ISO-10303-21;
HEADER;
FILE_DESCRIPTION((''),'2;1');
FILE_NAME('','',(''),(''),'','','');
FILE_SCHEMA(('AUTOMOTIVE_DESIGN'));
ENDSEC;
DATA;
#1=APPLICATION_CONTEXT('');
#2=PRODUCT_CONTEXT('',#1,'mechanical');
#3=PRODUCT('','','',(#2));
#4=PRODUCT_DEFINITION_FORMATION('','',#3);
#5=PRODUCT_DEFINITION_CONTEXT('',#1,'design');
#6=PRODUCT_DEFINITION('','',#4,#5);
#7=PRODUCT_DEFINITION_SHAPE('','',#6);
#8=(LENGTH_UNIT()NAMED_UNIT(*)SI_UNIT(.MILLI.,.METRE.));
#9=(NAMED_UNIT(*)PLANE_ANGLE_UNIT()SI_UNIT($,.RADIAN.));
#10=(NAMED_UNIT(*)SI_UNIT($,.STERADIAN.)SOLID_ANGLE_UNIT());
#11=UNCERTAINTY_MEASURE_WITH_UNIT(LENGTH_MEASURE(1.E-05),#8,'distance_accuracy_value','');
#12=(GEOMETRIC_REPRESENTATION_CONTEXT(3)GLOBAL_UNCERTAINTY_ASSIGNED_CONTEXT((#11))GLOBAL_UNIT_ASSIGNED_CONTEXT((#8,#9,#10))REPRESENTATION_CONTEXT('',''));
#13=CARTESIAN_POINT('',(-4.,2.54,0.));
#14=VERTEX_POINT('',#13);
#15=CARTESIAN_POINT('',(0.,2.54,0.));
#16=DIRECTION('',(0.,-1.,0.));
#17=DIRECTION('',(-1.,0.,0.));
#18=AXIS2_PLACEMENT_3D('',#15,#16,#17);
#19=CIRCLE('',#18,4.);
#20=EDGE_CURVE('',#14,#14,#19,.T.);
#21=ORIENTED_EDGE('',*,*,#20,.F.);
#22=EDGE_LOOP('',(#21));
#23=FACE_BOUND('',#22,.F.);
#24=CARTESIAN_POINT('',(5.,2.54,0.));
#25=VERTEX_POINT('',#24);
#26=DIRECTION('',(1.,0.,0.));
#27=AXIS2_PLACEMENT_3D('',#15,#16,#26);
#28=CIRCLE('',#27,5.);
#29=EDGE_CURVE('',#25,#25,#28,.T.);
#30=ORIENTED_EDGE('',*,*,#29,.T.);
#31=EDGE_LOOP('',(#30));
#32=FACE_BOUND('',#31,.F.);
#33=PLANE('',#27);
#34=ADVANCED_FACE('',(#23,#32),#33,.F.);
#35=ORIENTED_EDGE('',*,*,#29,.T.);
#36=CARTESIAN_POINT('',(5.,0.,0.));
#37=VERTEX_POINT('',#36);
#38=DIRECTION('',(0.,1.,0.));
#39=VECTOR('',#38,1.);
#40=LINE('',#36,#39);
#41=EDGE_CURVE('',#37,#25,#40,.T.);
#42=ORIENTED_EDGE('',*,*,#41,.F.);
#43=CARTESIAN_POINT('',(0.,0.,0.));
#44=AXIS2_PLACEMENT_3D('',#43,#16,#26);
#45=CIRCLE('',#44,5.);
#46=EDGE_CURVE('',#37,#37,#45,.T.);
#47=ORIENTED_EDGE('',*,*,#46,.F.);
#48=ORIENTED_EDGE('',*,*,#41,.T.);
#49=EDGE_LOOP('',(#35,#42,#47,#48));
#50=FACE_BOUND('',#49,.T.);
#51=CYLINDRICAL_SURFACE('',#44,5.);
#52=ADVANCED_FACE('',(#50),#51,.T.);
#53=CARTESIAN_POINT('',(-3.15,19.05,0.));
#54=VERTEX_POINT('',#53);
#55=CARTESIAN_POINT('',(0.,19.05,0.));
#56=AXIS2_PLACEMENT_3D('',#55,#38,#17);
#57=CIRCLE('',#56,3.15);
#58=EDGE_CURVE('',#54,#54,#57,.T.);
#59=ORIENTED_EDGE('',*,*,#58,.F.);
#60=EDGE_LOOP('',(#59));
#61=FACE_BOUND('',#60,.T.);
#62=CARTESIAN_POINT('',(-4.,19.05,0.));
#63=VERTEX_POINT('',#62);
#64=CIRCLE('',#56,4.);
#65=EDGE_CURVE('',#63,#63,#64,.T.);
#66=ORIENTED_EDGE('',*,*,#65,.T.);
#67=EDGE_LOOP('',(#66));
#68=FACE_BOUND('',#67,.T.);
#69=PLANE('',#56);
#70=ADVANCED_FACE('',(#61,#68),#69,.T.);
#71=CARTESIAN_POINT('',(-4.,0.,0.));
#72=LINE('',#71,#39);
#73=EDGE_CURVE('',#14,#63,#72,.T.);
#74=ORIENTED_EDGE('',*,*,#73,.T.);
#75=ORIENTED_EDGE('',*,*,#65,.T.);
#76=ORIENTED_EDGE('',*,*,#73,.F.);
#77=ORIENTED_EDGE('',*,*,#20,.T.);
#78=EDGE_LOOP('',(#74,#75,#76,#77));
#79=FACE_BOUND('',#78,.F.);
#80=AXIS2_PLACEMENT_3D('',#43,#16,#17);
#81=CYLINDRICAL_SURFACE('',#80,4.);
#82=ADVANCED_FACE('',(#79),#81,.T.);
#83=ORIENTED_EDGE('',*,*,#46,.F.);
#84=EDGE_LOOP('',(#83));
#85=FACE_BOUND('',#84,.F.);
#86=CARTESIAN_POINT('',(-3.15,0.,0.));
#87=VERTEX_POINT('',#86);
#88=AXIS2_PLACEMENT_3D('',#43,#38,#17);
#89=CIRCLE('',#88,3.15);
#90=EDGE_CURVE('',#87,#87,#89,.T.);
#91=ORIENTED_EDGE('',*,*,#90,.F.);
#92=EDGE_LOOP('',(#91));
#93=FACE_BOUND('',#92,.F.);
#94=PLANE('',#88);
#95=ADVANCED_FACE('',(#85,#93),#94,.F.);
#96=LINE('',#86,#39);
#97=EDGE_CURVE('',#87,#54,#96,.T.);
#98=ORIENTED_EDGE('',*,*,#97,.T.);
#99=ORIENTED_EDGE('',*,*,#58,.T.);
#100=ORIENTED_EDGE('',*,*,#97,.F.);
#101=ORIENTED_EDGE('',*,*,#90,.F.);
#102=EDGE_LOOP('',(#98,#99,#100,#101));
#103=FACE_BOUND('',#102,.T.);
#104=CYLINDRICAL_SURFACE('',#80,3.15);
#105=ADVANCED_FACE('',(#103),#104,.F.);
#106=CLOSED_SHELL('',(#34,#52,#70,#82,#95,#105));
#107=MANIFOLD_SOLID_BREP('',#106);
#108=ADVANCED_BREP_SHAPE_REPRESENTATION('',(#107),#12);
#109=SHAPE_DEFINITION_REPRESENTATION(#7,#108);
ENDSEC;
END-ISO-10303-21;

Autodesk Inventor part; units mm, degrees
ref_plane "YZ Plane" through (0, 0, 0) normal (1, 0, 0) x (0, 1, 0)
ref_plane "XZ Plane" through (0, 0, 0) normal (0, 1, 0) x (-1, 0, 0)
ref_plane "XY Plane" through (0, 0, 0) normal (0, 0, 1) x (1, 0, 0)
sketch "Sketch1" plane through (0, 0, 0) normal (0, 1, 0) x (-1, 0, 0)
  circle A0 centre (0, 0) radius 3.15
  circle A1 centre (0, 0) radius 4
  dimension "d0" = 6.3
  dimension "d1" = 8
extrude "Extrusion1" add sketch "Sketch1" along normal blind 19.05
sketch "Sketch2" plane through (0, 0, 0) normal (0, -1, 0) x (1, 0, 0)
  circle A0 centre (0, 0) radius 3.15
  circle A1 centre (0, 0) radius 5
  circle A2 centre (0, 0) radius 3.15 projected
  dimension "d4" = 10
extrude "Extrusion2" add sketch "Sketch2" against normal blind 2.54
properties part number "smolinsert"
